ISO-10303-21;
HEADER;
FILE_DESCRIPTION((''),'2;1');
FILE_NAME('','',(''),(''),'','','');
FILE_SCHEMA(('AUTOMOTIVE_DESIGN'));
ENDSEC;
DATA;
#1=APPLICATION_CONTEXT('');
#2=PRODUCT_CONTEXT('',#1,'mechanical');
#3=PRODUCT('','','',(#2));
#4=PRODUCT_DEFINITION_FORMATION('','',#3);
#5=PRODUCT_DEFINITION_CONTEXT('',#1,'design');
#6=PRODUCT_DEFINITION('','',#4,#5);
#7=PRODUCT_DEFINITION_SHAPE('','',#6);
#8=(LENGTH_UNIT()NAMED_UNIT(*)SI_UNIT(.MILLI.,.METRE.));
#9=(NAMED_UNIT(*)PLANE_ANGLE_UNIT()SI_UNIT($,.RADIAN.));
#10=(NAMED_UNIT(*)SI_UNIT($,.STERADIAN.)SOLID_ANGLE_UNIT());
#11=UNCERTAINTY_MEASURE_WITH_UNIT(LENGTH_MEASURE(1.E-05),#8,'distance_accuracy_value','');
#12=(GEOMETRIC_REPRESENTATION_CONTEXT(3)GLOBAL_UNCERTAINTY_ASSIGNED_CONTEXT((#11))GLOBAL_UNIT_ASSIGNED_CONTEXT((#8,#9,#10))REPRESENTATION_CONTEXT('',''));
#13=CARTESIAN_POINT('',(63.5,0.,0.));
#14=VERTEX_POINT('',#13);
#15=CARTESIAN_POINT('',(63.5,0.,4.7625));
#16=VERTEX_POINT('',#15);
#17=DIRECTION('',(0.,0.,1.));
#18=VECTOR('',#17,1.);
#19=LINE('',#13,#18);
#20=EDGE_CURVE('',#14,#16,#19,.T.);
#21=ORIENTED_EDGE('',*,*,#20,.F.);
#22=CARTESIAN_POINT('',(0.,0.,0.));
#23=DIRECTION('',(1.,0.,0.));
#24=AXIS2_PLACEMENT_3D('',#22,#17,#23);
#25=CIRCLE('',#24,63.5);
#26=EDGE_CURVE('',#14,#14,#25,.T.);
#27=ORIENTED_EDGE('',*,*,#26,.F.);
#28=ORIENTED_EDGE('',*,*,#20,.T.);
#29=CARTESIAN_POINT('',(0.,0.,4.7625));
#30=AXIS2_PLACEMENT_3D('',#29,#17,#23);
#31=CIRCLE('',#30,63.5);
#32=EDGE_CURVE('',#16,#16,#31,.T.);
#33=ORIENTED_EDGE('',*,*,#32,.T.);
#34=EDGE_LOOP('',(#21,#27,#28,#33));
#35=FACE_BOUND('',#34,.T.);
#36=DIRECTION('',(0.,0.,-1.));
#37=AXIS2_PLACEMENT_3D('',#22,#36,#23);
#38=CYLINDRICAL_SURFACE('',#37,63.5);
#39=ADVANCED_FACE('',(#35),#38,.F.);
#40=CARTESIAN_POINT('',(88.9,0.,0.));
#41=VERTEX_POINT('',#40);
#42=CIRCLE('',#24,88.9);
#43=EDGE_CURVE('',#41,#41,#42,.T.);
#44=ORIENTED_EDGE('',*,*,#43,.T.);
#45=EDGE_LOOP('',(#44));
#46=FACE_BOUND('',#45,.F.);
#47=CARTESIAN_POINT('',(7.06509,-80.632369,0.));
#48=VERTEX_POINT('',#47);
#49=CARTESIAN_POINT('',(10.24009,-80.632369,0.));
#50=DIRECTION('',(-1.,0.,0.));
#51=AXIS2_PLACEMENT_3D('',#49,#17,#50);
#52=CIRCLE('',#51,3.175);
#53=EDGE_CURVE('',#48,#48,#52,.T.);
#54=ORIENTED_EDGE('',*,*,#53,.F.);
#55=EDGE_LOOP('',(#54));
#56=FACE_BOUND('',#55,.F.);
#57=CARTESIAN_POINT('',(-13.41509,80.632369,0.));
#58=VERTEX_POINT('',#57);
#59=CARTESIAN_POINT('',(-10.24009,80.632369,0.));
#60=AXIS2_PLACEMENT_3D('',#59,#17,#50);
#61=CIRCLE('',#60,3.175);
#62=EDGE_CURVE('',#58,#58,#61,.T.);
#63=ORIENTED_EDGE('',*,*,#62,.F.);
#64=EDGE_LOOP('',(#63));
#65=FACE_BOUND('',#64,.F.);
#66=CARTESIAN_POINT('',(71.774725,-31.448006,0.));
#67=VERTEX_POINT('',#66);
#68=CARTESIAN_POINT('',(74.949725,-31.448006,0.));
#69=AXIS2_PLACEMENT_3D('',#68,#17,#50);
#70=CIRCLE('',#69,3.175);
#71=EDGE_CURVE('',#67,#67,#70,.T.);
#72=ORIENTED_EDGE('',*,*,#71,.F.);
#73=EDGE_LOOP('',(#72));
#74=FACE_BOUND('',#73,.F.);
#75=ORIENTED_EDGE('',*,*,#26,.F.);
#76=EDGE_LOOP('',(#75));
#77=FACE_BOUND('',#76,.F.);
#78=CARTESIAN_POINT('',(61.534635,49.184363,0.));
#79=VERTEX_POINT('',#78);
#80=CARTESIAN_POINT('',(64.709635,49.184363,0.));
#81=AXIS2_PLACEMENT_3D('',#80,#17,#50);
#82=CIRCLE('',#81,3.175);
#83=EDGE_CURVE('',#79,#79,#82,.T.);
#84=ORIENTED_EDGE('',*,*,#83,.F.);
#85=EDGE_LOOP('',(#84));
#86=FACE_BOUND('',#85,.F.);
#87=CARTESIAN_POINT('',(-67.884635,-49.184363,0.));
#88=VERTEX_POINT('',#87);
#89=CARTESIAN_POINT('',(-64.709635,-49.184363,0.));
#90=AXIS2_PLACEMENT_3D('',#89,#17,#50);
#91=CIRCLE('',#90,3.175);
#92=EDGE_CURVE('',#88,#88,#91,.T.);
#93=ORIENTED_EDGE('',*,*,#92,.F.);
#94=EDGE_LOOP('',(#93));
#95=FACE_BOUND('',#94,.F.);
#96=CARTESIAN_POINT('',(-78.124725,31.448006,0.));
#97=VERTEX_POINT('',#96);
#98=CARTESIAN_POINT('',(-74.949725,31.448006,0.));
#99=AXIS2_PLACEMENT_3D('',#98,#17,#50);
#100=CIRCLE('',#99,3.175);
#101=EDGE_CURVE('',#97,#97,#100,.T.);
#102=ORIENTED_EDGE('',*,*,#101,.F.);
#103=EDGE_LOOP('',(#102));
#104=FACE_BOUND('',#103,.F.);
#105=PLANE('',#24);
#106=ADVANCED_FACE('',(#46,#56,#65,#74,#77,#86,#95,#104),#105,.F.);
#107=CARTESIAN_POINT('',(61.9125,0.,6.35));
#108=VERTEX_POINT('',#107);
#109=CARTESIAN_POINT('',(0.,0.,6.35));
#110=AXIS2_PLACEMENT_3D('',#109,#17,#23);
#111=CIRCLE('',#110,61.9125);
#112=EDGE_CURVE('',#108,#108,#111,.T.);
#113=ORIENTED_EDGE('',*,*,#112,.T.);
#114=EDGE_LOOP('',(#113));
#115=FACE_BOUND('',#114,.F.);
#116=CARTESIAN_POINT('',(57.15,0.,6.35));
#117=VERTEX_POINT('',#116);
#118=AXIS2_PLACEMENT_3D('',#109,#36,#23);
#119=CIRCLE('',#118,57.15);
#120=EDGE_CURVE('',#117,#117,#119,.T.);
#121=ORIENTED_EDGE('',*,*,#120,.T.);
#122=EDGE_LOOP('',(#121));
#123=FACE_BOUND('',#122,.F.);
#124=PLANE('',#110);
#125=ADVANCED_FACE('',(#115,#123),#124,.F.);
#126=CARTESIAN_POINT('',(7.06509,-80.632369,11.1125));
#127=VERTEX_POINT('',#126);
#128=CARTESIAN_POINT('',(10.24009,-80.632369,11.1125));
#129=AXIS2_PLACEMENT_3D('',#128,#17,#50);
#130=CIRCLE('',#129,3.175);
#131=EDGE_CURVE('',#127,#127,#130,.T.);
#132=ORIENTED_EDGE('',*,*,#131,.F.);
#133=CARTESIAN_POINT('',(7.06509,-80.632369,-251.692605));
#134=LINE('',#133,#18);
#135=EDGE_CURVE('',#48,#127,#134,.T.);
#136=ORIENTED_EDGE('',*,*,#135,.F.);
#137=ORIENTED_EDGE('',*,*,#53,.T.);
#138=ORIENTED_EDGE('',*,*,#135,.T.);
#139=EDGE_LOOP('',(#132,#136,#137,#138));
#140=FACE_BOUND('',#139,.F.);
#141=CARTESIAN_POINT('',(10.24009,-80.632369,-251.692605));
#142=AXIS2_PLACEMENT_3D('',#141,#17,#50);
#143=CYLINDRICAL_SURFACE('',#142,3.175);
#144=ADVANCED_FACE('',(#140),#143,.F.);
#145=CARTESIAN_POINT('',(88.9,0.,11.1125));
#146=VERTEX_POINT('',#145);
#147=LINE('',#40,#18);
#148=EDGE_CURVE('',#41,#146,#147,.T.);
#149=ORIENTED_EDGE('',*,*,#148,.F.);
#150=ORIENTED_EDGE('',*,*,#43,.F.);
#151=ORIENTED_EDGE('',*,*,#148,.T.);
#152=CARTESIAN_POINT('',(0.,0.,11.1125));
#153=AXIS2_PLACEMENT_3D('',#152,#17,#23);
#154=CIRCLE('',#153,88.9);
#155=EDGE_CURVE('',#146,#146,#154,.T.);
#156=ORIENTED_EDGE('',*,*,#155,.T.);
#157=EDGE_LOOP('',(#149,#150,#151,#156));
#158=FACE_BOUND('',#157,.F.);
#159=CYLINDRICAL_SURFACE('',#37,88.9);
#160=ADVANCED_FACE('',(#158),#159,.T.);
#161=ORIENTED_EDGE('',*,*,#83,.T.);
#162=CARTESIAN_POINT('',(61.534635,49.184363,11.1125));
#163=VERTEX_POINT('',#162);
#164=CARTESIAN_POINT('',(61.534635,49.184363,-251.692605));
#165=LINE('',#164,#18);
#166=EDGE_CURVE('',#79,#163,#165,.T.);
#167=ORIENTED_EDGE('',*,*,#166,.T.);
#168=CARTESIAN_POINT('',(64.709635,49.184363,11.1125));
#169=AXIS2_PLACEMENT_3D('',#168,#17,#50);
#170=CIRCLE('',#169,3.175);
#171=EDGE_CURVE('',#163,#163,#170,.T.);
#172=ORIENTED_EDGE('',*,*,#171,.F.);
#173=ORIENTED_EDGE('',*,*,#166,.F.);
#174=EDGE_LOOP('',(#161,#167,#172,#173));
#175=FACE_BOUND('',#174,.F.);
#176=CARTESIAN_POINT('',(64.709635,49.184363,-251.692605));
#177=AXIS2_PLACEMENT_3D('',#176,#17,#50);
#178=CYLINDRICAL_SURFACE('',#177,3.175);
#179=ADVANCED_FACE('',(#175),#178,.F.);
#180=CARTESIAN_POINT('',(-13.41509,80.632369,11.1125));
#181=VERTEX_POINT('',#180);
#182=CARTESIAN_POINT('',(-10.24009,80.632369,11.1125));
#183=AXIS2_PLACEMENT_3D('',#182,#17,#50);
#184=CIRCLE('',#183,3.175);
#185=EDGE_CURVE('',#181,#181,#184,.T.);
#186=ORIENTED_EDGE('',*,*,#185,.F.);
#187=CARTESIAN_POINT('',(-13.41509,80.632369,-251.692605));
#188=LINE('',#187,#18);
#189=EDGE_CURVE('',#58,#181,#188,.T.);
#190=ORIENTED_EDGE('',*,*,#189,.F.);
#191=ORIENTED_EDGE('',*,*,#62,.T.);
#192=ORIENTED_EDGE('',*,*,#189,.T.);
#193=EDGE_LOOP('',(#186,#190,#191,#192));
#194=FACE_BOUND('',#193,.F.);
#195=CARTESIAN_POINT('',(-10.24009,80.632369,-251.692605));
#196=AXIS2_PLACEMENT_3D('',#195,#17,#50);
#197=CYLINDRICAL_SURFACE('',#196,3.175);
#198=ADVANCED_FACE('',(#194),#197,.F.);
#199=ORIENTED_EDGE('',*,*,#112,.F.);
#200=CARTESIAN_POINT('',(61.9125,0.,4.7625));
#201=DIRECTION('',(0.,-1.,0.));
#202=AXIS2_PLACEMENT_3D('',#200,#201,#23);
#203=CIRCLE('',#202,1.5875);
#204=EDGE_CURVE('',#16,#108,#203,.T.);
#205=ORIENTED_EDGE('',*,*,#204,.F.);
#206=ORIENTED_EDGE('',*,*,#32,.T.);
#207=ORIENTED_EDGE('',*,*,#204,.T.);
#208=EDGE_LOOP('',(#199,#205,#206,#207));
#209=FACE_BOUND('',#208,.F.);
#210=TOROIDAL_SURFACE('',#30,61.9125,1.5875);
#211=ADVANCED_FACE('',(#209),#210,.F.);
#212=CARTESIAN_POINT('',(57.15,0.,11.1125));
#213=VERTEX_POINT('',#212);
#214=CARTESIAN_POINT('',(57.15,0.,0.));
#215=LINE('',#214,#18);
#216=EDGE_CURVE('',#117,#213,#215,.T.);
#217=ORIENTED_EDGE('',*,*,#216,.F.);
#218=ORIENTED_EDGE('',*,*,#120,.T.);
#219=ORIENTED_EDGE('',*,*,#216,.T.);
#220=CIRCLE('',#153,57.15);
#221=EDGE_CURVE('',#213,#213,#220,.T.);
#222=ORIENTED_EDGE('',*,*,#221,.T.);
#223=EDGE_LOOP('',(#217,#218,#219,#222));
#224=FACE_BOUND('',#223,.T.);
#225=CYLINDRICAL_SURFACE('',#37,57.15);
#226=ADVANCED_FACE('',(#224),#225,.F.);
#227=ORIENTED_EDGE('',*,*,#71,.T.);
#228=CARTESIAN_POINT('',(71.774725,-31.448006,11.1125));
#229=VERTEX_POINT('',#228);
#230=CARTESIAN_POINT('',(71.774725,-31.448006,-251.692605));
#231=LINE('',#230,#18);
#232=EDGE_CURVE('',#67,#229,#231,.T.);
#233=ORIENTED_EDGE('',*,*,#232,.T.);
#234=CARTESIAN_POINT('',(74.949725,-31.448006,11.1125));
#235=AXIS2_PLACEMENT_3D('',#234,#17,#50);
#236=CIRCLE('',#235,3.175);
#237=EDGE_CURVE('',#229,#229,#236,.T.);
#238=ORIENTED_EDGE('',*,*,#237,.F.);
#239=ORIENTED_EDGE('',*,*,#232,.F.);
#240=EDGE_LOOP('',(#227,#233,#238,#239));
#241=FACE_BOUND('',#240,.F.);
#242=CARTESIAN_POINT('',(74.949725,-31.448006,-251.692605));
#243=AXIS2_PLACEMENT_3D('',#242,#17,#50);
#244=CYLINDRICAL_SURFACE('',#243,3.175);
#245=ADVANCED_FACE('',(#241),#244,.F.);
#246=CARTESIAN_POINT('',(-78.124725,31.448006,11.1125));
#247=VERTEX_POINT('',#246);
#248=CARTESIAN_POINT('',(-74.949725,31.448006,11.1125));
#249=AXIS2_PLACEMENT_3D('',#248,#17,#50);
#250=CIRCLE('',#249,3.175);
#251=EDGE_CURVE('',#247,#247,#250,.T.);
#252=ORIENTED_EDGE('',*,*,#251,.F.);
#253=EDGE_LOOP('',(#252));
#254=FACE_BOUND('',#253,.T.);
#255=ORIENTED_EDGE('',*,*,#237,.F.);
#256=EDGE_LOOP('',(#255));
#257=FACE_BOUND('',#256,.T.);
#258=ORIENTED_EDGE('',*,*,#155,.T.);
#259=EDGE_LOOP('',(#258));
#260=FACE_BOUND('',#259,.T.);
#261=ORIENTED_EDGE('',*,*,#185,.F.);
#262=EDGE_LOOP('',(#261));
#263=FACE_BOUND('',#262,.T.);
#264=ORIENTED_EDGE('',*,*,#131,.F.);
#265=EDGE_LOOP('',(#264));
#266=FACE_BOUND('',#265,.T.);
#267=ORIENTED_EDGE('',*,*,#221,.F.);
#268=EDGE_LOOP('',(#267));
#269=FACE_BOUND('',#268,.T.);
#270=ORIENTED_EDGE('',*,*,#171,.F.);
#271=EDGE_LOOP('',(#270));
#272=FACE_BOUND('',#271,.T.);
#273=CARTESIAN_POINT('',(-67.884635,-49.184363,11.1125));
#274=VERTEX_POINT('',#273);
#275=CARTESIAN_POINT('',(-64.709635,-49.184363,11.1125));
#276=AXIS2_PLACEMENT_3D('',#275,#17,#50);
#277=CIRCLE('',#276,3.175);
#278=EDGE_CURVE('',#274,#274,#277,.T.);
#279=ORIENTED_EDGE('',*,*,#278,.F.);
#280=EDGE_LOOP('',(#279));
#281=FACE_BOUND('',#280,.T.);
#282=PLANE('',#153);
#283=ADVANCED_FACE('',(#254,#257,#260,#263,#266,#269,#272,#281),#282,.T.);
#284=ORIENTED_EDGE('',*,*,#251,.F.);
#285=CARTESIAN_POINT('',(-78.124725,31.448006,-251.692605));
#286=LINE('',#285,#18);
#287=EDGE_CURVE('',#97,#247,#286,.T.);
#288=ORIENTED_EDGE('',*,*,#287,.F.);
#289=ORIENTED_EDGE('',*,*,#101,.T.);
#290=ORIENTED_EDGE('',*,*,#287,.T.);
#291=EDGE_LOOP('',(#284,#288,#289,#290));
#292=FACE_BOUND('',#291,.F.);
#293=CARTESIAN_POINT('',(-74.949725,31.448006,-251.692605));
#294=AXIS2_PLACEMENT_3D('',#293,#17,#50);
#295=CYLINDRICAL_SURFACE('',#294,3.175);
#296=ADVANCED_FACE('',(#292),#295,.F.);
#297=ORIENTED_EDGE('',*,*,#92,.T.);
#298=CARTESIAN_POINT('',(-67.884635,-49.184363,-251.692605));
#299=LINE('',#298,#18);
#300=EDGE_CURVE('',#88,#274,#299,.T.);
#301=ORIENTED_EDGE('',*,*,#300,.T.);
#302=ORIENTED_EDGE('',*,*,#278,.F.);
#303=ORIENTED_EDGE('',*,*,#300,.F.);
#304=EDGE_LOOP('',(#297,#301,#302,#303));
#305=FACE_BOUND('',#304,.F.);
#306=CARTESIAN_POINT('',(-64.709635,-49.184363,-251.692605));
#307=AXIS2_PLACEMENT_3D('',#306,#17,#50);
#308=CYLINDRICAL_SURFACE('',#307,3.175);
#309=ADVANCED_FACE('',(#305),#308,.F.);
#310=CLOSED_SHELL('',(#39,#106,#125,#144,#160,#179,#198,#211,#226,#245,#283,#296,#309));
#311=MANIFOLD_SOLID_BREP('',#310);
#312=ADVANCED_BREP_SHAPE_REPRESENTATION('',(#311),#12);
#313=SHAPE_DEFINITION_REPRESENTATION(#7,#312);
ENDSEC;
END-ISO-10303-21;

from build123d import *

# Parameters (mm, degrees)
F0_R     = 88.9
F0_R_2   = 57.15
F1_DEPTH = 11.1125
F2_R     = 63.5
F3_DEPTH = 6.35
F5_D     = 6.35
F6_R     = 1.5875


with BuildPart() as f1:
    # F0 (on Top) → F1 (new body)
    with BuildSketch(Plane.XY):
        Circle(F0_R)
        Circle(F0_R_2, mode=Mode.SUBTRACT)
    extrude(amount=F1_DEPTH)

    # F2 (on Top) → F3 (cut)
    with BuildSketch(Plane.XY):
        Circle(F2_R)
    extrude(amount=F3_DEPTH, mode=Mode.SUBTRACT)

    # F5 (through all)
    with Locations(Plane(origin=(0, 0, 0), x_dir=(1, 0, 0), z_dir=(0, 0, -1))):
        with Locations((10.2400904958, 80.6323690997), (-64.7096347598, 49.1843630563), (-74.9497252556, -31.4480060434), (-10.2400904958, -80.6323690997), (64.7096347598, -49.1843630563), (74.9497252556, 31.4480060434)):
            Hole(F5_D / 2)

    # F6
    f6_edges = [f1.edges().sort_by_distance(p)[0] for p in [
        (-63.5, 0, 6.35),
    ]]
    fillet(f6_edges, radius=F6_R)


solid = f1.part
